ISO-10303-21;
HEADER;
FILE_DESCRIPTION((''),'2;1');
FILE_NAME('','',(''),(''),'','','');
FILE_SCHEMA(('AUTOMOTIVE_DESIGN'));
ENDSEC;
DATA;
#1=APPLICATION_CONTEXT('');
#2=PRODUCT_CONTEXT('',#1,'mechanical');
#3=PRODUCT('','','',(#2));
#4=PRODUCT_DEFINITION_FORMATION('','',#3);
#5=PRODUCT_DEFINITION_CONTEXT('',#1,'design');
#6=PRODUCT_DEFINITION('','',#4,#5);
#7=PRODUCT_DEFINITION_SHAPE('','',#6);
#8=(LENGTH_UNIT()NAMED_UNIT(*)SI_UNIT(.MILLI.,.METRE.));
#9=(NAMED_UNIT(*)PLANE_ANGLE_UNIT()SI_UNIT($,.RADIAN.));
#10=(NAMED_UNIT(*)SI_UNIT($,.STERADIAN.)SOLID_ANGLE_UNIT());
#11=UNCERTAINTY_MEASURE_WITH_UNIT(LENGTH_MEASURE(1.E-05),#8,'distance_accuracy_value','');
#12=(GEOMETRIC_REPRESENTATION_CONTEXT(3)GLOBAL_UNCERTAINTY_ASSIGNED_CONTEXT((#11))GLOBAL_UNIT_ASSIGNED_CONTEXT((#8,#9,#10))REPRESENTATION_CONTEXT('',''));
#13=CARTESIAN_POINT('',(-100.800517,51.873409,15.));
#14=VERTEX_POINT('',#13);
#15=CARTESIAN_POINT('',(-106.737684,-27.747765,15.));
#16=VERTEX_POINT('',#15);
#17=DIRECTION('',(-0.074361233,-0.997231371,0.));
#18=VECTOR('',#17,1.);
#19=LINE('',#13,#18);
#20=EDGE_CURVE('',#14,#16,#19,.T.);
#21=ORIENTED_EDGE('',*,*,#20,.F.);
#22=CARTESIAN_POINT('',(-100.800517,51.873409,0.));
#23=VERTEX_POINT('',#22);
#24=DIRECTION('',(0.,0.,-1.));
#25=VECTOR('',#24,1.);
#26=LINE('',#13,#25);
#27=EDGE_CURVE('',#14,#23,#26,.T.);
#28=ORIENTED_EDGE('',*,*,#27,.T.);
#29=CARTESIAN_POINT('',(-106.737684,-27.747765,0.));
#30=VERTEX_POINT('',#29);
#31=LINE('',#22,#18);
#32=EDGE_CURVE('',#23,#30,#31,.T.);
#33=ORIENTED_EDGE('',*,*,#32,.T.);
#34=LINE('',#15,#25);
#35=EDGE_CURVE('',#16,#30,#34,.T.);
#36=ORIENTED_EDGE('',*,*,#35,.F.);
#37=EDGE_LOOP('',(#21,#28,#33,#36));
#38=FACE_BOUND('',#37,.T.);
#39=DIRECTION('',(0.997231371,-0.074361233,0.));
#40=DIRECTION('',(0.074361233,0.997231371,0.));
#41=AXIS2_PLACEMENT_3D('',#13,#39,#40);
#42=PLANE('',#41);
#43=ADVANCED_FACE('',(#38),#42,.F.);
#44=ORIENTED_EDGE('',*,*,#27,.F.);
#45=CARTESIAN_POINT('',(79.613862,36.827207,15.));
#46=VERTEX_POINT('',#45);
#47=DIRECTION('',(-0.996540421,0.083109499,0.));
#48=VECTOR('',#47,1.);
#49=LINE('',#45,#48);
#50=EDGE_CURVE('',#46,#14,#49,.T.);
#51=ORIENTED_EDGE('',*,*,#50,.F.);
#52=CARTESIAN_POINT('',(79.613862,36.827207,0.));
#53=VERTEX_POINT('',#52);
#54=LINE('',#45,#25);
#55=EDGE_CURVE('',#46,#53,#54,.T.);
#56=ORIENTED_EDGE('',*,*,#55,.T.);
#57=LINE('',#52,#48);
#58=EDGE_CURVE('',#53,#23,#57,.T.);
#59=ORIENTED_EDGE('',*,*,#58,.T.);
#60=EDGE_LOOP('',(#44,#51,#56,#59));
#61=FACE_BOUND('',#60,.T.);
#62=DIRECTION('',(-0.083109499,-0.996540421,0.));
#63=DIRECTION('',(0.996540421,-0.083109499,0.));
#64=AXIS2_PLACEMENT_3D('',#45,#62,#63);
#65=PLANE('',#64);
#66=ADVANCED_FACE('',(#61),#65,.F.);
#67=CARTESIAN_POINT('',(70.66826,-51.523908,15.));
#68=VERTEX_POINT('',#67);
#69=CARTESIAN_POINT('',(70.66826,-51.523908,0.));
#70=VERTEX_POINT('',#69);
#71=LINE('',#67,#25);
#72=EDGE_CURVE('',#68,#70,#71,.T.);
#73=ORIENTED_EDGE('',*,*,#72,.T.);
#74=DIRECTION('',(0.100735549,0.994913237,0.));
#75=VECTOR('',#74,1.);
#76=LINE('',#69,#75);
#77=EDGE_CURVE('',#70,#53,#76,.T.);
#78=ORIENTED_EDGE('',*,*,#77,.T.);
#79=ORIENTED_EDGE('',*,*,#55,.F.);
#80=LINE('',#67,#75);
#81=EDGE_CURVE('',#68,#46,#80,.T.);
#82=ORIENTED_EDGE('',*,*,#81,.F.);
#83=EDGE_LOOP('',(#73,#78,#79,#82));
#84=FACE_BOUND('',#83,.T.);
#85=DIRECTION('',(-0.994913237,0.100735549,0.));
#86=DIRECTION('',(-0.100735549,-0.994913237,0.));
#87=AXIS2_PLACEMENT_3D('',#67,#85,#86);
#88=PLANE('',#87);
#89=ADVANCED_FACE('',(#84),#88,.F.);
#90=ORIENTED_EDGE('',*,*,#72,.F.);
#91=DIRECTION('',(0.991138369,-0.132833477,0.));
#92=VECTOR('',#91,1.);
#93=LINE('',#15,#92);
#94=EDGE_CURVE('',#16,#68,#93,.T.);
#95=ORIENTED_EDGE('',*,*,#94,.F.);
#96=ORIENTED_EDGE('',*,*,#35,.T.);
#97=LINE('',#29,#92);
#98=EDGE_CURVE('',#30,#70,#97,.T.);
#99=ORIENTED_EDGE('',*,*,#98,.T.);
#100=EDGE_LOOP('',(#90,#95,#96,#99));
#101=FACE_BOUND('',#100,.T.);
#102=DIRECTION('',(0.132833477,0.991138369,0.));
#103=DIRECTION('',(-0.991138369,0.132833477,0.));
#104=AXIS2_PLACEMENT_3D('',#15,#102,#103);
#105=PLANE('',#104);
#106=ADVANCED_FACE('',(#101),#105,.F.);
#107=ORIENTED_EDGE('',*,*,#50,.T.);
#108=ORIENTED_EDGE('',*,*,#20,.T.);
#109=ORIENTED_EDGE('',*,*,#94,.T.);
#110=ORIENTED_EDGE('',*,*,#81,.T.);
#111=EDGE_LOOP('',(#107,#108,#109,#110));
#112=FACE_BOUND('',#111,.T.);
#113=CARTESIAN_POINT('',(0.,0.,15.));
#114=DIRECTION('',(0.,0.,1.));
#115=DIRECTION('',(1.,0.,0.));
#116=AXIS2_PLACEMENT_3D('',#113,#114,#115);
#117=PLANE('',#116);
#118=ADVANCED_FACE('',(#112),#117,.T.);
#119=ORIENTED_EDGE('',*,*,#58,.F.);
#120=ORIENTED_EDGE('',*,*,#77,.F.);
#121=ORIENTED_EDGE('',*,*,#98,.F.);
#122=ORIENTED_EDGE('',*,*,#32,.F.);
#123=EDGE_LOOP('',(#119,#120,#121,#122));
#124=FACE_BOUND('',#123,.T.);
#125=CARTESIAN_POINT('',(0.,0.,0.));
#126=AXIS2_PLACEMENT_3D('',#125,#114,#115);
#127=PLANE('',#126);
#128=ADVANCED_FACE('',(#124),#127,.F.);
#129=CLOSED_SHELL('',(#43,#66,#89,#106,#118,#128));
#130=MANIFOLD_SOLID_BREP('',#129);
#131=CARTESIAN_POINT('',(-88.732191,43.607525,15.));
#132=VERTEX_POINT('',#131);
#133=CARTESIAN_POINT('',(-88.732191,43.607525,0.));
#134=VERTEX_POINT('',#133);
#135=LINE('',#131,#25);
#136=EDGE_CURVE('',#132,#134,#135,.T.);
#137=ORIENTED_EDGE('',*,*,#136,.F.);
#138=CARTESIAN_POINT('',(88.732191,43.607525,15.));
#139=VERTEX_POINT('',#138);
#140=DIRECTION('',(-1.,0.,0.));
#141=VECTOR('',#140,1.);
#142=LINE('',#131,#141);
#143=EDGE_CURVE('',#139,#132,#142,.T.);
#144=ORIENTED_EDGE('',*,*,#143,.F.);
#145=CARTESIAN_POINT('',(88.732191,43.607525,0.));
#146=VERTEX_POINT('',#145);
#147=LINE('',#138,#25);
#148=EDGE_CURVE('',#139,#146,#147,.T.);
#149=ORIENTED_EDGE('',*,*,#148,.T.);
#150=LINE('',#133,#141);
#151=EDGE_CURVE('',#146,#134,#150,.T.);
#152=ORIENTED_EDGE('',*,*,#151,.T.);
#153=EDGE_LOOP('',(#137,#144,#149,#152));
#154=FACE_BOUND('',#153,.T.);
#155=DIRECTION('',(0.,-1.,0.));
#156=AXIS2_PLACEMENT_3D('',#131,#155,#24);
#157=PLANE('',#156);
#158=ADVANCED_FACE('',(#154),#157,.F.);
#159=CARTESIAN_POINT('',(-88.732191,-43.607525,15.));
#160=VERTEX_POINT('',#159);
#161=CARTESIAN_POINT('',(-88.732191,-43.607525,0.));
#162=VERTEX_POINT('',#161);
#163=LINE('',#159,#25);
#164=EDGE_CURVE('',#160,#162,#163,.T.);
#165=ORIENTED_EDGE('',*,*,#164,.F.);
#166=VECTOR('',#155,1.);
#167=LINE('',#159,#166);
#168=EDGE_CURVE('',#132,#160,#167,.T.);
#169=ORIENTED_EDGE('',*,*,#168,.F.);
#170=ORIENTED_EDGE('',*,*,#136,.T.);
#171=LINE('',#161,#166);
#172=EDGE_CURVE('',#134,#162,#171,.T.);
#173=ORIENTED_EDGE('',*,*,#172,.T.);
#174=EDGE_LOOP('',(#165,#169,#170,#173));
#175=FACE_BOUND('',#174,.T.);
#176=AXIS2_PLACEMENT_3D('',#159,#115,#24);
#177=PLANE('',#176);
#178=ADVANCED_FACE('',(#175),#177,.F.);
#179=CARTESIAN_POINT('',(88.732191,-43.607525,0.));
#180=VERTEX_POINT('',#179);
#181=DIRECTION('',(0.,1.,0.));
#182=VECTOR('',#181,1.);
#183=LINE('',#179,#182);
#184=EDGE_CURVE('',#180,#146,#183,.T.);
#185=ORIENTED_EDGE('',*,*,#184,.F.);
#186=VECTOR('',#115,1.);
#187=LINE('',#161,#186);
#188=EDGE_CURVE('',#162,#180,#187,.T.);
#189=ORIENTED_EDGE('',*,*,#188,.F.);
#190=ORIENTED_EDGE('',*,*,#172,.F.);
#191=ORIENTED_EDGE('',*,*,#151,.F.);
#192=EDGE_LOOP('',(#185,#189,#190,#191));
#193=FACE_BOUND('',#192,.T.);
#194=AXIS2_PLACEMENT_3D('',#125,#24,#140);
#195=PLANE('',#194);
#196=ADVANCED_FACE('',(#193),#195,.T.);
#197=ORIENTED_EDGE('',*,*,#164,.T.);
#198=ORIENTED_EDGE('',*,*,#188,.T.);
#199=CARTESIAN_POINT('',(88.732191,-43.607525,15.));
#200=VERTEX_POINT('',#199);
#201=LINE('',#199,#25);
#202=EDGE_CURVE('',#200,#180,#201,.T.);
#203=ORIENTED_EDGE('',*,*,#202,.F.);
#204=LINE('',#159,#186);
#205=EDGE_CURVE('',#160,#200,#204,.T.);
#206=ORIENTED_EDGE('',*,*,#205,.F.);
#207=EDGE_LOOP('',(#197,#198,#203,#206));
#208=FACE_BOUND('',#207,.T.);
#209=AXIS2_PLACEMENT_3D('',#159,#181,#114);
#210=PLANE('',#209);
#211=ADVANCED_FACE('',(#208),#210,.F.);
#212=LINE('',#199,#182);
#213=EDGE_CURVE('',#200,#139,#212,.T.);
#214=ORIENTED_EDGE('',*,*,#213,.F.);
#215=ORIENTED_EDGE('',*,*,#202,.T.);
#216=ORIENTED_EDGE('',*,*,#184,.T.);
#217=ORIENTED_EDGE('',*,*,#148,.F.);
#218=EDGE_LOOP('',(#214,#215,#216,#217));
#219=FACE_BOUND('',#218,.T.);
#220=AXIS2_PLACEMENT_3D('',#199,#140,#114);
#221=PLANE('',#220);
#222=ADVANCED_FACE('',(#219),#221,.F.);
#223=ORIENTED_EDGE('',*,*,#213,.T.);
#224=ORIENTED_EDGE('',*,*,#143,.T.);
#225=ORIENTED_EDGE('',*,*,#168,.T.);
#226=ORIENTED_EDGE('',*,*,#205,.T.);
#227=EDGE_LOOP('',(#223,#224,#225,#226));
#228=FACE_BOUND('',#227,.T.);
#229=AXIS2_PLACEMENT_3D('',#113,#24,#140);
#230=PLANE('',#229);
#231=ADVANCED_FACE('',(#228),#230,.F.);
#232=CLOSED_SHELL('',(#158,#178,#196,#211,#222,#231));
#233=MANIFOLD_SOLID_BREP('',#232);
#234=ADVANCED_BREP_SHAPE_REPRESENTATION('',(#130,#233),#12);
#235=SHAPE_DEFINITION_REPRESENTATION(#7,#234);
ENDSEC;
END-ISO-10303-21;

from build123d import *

# Parameters (mm, degrees)
SKIZZE1_W                       = 177.46438251
SKIZZE1_H                       = 87.215049504
AUFSATZ_LINEAR_AUSTRAGEN1_DEPTH = 15
AUFSATZ_LINEAR_AUSTRAGEN2_DEPTH = 15


with BuildPart() as part:
    # Skizze1 → Aufsatz-Linear austragen1 (new body)
    with BuildSketch(Plane.XY):
        Rectangle(SKIZZE1_W, SKIZZE1_H)
    extrude(amount=AUFSATZ_LINEAR_AUSTRAGEN1_DEPTH)


with BuildPart() as body_2:
    # Skizze2 → Aufsatz-Linear austragen2 (new body)
    with BuildSketch(Plane.XY):
        Polygon((70.668259519, -51.523908356), (79.61386178, 36.827206877), (-100.800517253, 51.873409078), (-106.73768376, -27.747764706), align=None)
    extrude(amount=AUFSATZ_LINEAR_AUSTRAGEN2_DEPTH)


solid = Compound([part.part, body_2.part])
